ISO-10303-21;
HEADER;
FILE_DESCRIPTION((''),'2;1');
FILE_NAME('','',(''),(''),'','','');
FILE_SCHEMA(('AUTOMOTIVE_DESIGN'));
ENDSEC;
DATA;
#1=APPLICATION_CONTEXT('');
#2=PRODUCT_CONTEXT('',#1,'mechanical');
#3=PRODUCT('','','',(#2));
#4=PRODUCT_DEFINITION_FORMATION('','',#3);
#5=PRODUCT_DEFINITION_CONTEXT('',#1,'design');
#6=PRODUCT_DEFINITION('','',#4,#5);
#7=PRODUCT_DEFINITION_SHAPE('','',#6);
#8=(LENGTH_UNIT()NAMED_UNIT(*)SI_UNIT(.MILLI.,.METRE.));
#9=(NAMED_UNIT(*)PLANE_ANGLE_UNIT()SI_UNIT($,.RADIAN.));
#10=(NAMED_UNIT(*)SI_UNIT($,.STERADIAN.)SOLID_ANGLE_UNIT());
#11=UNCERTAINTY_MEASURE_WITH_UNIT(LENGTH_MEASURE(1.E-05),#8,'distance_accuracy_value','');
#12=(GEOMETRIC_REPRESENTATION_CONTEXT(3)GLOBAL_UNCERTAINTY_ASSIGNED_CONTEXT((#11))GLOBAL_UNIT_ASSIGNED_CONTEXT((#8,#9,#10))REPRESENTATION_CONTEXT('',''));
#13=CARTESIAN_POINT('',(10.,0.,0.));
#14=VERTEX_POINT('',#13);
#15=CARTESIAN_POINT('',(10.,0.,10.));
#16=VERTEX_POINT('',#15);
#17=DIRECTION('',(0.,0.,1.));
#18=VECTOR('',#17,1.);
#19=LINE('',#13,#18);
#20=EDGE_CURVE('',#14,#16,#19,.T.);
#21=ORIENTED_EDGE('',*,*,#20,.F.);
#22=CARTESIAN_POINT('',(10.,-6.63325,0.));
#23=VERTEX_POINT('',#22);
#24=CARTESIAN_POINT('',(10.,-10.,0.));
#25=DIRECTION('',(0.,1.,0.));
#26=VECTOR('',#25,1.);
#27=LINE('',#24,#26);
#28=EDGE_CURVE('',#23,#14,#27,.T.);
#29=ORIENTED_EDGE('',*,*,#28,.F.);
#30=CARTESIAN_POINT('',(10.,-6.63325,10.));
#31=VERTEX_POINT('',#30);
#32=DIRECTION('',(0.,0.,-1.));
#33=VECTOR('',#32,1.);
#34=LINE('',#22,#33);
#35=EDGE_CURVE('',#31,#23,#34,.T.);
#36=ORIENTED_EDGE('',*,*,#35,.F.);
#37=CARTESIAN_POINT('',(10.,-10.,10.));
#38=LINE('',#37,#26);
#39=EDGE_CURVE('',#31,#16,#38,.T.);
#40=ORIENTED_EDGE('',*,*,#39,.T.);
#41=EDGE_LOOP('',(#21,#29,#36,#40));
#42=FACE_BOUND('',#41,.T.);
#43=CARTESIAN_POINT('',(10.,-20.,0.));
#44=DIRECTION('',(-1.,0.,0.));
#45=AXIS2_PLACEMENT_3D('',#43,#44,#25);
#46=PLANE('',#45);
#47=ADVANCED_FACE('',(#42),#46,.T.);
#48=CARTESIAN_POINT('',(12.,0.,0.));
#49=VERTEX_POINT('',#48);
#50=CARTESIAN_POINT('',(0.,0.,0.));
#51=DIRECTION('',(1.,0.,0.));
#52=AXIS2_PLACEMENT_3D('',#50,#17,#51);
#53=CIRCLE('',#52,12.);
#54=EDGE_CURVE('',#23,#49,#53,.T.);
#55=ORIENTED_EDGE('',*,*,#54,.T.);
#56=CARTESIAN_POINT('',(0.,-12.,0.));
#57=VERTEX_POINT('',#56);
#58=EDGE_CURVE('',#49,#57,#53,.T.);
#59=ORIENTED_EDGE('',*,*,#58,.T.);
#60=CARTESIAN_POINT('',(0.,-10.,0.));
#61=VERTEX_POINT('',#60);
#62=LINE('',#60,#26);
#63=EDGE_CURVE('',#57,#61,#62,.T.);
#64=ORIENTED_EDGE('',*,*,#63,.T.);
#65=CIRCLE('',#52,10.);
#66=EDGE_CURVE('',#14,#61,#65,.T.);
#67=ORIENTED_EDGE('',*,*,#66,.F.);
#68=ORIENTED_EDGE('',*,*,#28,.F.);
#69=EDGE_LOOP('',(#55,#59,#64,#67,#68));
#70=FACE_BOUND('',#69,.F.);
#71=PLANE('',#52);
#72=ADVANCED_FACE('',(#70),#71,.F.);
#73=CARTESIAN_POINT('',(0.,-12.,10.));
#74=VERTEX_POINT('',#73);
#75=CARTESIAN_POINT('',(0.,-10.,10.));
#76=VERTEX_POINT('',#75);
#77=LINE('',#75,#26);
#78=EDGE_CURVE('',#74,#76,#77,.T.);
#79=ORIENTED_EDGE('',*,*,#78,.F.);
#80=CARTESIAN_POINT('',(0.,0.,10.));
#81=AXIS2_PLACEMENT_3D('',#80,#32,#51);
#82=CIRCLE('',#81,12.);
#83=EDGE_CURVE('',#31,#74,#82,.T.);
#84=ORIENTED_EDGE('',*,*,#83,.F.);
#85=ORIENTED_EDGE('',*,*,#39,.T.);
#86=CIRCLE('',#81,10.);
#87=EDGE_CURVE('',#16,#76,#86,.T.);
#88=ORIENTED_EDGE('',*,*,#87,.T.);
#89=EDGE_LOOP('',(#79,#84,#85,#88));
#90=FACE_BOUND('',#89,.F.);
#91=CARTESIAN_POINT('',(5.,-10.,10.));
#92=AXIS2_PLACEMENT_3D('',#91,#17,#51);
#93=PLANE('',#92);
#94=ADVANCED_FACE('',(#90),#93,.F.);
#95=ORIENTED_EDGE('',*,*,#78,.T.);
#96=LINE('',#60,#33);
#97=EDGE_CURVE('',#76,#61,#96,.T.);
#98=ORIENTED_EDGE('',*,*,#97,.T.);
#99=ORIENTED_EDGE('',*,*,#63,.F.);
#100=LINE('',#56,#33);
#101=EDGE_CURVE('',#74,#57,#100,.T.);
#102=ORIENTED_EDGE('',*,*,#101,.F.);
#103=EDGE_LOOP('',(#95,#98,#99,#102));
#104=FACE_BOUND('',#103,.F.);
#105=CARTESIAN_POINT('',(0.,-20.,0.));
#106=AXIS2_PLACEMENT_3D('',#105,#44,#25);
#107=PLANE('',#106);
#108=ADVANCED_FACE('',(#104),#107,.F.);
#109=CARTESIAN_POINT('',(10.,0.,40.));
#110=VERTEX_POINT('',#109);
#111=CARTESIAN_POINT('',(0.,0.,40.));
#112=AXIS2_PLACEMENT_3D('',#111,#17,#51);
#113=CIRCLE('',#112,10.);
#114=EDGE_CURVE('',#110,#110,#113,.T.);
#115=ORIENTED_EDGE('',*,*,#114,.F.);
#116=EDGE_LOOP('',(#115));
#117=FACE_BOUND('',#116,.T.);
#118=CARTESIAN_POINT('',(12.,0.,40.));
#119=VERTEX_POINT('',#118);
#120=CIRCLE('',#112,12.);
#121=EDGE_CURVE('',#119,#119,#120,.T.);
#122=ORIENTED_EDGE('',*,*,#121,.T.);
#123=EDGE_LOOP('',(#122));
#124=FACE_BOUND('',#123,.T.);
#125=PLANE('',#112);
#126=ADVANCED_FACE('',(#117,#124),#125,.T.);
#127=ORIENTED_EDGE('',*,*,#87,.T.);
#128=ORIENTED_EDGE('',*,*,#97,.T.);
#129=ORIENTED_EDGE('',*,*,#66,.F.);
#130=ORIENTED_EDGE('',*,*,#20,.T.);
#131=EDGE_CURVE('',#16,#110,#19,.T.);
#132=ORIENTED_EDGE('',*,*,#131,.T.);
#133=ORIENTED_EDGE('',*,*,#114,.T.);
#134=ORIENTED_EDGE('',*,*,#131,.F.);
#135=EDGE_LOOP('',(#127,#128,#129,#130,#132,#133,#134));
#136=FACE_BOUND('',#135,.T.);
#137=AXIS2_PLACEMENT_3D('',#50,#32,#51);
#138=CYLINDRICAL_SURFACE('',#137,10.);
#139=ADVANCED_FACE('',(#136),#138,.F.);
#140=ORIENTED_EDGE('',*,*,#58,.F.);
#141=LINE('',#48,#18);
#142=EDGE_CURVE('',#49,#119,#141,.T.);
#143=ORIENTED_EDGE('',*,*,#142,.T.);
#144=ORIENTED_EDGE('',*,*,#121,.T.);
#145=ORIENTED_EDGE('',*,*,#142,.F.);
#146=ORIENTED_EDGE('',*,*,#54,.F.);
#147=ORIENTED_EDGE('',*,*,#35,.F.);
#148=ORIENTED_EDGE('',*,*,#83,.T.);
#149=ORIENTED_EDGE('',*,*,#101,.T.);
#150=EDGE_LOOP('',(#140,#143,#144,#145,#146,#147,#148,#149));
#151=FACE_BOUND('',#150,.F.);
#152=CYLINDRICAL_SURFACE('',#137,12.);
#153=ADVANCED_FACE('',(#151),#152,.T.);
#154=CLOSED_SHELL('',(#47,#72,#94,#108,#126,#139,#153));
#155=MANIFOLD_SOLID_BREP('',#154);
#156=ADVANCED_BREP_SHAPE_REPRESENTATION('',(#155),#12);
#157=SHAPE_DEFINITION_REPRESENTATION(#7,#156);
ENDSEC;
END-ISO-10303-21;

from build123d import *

# Parameters (mm, degrees)
BOX001_W          = 10
BOX001_H          = 20
BOX001_DEPTH      = 10
CYLINDER001_R     = 10
CYLINDER001_DEPTH = 40
CYLINDER002_R     = 12
CYLINDER002_DEPTH = 40


with BuildPart() as cubo:
    # Box001 → Box001 (new body)
    with BuildSketch(Plane(origin=(0, -20, 0), x_dir=(1, 0, 0), z_dir=(0, 0, 1))):
        with Locations((5, 10)):
            Rectangle(BOX001_W, BOX001_H)
    extrude(amount=BOX001_DEPTH)


with BuildPart() as cilindro:
    # Cylinder001 → Cylinder001 (new body)
    with BuildSketch(Plane.XY):
        Circle(CYLINDER001_R)
    extrude(amount=CYLINDER001_DEPTH)


with BuildPart() as exterior_torre:
    # Cylinder002 → Cylinder002 (new body)
    with BuildSketch(Plane.XY):
        Circle(CYLINDER002_R)
    extrude(amount=CYLINDER002_DEPTH)

    # Cut: cut Cilindro
    add(cilindro.part, mode=Mode.SUBTRACT)

    # Cut001: cut Cubo
    add(cubo.part, mode=Mode.SUBTRACT)


solid = exterior_torre.part
